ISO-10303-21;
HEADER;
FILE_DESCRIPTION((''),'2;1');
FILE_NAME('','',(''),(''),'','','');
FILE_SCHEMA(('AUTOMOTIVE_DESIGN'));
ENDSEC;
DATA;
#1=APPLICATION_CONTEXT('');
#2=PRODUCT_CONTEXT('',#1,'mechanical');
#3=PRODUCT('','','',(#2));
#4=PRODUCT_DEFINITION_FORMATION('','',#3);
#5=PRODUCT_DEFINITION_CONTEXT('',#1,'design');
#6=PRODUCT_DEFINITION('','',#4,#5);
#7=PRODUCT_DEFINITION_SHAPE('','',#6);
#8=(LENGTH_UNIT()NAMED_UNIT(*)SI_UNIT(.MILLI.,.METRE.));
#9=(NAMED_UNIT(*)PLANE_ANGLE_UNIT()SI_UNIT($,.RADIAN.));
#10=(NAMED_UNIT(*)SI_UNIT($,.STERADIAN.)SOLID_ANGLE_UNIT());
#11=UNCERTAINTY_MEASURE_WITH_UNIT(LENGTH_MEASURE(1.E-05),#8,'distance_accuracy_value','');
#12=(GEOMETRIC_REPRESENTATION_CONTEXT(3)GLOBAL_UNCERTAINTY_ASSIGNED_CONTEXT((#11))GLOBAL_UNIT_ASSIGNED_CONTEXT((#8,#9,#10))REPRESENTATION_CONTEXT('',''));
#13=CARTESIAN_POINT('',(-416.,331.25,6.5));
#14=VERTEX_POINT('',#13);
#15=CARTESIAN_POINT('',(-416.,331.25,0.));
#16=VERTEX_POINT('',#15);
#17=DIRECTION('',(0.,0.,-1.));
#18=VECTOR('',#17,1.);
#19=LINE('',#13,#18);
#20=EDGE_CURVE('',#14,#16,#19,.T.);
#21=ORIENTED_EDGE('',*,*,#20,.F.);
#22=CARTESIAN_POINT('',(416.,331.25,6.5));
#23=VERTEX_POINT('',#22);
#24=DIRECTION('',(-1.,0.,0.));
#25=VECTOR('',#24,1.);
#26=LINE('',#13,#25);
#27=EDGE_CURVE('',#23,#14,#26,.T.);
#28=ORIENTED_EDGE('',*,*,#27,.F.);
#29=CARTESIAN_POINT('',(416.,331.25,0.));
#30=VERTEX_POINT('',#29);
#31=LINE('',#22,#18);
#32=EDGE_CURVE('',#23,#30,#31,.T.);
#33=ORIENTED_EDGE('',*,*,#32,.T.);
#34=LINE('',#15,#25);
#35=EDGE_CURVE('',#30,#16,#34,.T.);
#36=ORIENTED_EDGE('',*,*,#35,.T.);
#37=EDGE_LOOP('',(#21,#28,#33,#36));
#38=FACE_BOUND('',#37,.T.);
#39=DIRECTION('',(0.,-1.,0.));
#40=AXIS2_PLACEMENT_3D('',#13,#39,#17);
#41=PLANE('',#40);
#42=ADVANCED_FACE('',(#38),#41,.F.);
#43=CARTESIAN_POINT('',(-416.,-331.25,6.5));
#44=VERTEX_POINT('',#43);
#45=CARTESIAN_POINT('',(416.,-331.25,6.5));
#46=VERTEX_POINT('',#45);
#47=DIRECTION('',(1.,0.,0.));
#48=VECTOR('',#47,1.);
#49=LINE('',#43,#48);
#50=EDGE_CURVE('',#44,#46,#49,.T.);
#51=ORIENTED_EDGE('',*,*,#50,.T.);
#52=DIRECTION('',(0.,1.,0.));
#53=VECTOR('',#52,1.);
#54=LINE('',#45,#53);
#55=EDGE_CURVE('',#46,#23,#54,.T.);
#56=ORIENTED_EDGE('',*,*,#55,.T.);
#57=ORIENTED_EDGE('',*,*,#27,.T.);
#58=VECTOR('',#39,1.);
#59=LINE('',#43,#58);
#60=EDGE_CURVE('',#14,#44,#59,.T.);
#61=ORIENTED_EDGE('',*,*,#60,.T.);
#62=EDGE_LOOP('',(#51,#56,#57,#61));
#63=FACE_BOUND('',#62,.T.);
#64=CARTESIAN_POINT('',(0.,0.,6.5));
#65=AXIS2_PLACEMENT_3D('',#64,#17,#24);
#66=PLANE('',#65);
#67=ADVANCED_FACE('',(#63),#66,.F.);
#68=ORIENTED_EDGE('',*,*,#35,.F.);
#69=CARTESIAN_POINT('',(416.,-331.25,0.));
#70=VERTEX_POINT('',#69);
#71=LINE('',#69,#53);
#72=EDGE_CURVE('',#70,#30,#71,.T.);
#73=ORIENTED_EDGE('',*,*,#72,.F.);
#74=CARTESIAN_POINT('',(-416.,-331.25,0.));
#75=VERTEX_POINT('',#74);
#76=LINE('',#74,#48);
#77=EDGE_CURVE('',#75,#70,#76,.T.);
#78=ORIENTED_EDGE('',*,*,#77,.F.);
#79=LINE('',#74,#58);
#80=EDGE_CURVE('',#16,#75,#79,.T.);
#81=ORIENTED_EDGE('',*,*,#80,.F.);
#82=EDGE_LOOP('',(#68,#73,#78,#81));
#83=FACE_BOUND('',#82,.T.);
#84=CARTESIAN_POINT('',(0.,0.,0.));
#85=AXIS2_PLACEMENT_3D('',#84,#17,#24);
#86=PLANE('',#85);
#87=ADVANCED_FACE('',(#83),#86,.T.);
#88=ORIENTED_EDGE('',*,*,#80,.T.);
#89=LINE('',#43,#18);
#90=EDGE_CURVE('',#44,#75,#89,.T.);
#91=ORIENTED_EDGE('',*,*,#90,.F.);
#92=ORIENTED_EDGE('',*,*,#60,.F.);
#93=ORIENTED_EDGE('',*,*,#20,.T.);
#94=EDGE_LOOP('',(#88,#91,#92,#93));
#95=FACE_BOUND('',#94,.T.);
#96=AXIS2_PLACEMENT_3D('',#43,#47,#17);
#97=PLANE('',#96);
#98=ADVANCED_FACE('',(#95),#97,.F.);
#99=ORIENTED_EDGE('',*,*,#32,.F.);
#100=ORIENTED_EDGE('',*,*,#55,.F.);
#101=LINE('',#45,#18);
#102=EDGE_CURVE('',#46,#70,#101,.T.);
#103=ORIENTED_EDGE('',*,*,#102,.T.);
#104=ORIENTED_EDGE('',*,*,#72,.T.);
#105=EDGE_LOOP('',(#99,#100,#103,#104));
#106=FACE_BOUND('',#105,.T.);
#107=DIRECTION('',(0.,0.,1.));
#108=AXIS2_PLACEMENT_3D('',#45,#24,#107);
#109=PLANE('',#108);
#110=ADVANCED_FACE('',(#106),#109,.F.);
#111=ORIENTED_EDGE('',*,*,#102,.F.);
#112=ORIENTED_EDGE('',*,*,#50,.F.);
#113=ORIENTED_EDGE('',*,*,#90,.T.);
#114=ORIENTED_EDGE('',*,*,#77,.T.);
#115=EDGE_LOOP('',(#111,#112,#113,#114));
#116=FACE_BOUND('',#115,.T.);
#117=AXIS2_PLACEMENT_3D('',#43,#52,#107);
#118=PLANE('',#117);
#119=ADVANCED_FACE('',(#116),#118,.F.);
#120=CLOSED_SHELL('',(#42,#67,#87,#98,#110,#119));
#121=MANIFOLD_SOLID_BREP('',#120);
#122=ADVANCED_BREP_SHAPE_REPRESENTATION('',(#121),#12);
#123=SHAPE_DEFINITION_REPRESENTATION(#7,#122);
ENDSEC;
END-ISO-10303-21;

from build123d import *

# Parameters (mm, degrees)
ESQUISSE1_W        = 832
ESQUISSE1_H        = 662.5
BOSS_EXTRU_1_DEPTH = 6.5


with BuildPart() as part:
    # Esquisse1 → Boss.-Extru.1 (new body)
    with BuildSketch(Plane.XY):
        Rectangle(ESQUISSE1_W, ESQUISSE1_H)
    extrude(amount=BOSS_EXTRU_1_DEPTH)


solid = part.part
